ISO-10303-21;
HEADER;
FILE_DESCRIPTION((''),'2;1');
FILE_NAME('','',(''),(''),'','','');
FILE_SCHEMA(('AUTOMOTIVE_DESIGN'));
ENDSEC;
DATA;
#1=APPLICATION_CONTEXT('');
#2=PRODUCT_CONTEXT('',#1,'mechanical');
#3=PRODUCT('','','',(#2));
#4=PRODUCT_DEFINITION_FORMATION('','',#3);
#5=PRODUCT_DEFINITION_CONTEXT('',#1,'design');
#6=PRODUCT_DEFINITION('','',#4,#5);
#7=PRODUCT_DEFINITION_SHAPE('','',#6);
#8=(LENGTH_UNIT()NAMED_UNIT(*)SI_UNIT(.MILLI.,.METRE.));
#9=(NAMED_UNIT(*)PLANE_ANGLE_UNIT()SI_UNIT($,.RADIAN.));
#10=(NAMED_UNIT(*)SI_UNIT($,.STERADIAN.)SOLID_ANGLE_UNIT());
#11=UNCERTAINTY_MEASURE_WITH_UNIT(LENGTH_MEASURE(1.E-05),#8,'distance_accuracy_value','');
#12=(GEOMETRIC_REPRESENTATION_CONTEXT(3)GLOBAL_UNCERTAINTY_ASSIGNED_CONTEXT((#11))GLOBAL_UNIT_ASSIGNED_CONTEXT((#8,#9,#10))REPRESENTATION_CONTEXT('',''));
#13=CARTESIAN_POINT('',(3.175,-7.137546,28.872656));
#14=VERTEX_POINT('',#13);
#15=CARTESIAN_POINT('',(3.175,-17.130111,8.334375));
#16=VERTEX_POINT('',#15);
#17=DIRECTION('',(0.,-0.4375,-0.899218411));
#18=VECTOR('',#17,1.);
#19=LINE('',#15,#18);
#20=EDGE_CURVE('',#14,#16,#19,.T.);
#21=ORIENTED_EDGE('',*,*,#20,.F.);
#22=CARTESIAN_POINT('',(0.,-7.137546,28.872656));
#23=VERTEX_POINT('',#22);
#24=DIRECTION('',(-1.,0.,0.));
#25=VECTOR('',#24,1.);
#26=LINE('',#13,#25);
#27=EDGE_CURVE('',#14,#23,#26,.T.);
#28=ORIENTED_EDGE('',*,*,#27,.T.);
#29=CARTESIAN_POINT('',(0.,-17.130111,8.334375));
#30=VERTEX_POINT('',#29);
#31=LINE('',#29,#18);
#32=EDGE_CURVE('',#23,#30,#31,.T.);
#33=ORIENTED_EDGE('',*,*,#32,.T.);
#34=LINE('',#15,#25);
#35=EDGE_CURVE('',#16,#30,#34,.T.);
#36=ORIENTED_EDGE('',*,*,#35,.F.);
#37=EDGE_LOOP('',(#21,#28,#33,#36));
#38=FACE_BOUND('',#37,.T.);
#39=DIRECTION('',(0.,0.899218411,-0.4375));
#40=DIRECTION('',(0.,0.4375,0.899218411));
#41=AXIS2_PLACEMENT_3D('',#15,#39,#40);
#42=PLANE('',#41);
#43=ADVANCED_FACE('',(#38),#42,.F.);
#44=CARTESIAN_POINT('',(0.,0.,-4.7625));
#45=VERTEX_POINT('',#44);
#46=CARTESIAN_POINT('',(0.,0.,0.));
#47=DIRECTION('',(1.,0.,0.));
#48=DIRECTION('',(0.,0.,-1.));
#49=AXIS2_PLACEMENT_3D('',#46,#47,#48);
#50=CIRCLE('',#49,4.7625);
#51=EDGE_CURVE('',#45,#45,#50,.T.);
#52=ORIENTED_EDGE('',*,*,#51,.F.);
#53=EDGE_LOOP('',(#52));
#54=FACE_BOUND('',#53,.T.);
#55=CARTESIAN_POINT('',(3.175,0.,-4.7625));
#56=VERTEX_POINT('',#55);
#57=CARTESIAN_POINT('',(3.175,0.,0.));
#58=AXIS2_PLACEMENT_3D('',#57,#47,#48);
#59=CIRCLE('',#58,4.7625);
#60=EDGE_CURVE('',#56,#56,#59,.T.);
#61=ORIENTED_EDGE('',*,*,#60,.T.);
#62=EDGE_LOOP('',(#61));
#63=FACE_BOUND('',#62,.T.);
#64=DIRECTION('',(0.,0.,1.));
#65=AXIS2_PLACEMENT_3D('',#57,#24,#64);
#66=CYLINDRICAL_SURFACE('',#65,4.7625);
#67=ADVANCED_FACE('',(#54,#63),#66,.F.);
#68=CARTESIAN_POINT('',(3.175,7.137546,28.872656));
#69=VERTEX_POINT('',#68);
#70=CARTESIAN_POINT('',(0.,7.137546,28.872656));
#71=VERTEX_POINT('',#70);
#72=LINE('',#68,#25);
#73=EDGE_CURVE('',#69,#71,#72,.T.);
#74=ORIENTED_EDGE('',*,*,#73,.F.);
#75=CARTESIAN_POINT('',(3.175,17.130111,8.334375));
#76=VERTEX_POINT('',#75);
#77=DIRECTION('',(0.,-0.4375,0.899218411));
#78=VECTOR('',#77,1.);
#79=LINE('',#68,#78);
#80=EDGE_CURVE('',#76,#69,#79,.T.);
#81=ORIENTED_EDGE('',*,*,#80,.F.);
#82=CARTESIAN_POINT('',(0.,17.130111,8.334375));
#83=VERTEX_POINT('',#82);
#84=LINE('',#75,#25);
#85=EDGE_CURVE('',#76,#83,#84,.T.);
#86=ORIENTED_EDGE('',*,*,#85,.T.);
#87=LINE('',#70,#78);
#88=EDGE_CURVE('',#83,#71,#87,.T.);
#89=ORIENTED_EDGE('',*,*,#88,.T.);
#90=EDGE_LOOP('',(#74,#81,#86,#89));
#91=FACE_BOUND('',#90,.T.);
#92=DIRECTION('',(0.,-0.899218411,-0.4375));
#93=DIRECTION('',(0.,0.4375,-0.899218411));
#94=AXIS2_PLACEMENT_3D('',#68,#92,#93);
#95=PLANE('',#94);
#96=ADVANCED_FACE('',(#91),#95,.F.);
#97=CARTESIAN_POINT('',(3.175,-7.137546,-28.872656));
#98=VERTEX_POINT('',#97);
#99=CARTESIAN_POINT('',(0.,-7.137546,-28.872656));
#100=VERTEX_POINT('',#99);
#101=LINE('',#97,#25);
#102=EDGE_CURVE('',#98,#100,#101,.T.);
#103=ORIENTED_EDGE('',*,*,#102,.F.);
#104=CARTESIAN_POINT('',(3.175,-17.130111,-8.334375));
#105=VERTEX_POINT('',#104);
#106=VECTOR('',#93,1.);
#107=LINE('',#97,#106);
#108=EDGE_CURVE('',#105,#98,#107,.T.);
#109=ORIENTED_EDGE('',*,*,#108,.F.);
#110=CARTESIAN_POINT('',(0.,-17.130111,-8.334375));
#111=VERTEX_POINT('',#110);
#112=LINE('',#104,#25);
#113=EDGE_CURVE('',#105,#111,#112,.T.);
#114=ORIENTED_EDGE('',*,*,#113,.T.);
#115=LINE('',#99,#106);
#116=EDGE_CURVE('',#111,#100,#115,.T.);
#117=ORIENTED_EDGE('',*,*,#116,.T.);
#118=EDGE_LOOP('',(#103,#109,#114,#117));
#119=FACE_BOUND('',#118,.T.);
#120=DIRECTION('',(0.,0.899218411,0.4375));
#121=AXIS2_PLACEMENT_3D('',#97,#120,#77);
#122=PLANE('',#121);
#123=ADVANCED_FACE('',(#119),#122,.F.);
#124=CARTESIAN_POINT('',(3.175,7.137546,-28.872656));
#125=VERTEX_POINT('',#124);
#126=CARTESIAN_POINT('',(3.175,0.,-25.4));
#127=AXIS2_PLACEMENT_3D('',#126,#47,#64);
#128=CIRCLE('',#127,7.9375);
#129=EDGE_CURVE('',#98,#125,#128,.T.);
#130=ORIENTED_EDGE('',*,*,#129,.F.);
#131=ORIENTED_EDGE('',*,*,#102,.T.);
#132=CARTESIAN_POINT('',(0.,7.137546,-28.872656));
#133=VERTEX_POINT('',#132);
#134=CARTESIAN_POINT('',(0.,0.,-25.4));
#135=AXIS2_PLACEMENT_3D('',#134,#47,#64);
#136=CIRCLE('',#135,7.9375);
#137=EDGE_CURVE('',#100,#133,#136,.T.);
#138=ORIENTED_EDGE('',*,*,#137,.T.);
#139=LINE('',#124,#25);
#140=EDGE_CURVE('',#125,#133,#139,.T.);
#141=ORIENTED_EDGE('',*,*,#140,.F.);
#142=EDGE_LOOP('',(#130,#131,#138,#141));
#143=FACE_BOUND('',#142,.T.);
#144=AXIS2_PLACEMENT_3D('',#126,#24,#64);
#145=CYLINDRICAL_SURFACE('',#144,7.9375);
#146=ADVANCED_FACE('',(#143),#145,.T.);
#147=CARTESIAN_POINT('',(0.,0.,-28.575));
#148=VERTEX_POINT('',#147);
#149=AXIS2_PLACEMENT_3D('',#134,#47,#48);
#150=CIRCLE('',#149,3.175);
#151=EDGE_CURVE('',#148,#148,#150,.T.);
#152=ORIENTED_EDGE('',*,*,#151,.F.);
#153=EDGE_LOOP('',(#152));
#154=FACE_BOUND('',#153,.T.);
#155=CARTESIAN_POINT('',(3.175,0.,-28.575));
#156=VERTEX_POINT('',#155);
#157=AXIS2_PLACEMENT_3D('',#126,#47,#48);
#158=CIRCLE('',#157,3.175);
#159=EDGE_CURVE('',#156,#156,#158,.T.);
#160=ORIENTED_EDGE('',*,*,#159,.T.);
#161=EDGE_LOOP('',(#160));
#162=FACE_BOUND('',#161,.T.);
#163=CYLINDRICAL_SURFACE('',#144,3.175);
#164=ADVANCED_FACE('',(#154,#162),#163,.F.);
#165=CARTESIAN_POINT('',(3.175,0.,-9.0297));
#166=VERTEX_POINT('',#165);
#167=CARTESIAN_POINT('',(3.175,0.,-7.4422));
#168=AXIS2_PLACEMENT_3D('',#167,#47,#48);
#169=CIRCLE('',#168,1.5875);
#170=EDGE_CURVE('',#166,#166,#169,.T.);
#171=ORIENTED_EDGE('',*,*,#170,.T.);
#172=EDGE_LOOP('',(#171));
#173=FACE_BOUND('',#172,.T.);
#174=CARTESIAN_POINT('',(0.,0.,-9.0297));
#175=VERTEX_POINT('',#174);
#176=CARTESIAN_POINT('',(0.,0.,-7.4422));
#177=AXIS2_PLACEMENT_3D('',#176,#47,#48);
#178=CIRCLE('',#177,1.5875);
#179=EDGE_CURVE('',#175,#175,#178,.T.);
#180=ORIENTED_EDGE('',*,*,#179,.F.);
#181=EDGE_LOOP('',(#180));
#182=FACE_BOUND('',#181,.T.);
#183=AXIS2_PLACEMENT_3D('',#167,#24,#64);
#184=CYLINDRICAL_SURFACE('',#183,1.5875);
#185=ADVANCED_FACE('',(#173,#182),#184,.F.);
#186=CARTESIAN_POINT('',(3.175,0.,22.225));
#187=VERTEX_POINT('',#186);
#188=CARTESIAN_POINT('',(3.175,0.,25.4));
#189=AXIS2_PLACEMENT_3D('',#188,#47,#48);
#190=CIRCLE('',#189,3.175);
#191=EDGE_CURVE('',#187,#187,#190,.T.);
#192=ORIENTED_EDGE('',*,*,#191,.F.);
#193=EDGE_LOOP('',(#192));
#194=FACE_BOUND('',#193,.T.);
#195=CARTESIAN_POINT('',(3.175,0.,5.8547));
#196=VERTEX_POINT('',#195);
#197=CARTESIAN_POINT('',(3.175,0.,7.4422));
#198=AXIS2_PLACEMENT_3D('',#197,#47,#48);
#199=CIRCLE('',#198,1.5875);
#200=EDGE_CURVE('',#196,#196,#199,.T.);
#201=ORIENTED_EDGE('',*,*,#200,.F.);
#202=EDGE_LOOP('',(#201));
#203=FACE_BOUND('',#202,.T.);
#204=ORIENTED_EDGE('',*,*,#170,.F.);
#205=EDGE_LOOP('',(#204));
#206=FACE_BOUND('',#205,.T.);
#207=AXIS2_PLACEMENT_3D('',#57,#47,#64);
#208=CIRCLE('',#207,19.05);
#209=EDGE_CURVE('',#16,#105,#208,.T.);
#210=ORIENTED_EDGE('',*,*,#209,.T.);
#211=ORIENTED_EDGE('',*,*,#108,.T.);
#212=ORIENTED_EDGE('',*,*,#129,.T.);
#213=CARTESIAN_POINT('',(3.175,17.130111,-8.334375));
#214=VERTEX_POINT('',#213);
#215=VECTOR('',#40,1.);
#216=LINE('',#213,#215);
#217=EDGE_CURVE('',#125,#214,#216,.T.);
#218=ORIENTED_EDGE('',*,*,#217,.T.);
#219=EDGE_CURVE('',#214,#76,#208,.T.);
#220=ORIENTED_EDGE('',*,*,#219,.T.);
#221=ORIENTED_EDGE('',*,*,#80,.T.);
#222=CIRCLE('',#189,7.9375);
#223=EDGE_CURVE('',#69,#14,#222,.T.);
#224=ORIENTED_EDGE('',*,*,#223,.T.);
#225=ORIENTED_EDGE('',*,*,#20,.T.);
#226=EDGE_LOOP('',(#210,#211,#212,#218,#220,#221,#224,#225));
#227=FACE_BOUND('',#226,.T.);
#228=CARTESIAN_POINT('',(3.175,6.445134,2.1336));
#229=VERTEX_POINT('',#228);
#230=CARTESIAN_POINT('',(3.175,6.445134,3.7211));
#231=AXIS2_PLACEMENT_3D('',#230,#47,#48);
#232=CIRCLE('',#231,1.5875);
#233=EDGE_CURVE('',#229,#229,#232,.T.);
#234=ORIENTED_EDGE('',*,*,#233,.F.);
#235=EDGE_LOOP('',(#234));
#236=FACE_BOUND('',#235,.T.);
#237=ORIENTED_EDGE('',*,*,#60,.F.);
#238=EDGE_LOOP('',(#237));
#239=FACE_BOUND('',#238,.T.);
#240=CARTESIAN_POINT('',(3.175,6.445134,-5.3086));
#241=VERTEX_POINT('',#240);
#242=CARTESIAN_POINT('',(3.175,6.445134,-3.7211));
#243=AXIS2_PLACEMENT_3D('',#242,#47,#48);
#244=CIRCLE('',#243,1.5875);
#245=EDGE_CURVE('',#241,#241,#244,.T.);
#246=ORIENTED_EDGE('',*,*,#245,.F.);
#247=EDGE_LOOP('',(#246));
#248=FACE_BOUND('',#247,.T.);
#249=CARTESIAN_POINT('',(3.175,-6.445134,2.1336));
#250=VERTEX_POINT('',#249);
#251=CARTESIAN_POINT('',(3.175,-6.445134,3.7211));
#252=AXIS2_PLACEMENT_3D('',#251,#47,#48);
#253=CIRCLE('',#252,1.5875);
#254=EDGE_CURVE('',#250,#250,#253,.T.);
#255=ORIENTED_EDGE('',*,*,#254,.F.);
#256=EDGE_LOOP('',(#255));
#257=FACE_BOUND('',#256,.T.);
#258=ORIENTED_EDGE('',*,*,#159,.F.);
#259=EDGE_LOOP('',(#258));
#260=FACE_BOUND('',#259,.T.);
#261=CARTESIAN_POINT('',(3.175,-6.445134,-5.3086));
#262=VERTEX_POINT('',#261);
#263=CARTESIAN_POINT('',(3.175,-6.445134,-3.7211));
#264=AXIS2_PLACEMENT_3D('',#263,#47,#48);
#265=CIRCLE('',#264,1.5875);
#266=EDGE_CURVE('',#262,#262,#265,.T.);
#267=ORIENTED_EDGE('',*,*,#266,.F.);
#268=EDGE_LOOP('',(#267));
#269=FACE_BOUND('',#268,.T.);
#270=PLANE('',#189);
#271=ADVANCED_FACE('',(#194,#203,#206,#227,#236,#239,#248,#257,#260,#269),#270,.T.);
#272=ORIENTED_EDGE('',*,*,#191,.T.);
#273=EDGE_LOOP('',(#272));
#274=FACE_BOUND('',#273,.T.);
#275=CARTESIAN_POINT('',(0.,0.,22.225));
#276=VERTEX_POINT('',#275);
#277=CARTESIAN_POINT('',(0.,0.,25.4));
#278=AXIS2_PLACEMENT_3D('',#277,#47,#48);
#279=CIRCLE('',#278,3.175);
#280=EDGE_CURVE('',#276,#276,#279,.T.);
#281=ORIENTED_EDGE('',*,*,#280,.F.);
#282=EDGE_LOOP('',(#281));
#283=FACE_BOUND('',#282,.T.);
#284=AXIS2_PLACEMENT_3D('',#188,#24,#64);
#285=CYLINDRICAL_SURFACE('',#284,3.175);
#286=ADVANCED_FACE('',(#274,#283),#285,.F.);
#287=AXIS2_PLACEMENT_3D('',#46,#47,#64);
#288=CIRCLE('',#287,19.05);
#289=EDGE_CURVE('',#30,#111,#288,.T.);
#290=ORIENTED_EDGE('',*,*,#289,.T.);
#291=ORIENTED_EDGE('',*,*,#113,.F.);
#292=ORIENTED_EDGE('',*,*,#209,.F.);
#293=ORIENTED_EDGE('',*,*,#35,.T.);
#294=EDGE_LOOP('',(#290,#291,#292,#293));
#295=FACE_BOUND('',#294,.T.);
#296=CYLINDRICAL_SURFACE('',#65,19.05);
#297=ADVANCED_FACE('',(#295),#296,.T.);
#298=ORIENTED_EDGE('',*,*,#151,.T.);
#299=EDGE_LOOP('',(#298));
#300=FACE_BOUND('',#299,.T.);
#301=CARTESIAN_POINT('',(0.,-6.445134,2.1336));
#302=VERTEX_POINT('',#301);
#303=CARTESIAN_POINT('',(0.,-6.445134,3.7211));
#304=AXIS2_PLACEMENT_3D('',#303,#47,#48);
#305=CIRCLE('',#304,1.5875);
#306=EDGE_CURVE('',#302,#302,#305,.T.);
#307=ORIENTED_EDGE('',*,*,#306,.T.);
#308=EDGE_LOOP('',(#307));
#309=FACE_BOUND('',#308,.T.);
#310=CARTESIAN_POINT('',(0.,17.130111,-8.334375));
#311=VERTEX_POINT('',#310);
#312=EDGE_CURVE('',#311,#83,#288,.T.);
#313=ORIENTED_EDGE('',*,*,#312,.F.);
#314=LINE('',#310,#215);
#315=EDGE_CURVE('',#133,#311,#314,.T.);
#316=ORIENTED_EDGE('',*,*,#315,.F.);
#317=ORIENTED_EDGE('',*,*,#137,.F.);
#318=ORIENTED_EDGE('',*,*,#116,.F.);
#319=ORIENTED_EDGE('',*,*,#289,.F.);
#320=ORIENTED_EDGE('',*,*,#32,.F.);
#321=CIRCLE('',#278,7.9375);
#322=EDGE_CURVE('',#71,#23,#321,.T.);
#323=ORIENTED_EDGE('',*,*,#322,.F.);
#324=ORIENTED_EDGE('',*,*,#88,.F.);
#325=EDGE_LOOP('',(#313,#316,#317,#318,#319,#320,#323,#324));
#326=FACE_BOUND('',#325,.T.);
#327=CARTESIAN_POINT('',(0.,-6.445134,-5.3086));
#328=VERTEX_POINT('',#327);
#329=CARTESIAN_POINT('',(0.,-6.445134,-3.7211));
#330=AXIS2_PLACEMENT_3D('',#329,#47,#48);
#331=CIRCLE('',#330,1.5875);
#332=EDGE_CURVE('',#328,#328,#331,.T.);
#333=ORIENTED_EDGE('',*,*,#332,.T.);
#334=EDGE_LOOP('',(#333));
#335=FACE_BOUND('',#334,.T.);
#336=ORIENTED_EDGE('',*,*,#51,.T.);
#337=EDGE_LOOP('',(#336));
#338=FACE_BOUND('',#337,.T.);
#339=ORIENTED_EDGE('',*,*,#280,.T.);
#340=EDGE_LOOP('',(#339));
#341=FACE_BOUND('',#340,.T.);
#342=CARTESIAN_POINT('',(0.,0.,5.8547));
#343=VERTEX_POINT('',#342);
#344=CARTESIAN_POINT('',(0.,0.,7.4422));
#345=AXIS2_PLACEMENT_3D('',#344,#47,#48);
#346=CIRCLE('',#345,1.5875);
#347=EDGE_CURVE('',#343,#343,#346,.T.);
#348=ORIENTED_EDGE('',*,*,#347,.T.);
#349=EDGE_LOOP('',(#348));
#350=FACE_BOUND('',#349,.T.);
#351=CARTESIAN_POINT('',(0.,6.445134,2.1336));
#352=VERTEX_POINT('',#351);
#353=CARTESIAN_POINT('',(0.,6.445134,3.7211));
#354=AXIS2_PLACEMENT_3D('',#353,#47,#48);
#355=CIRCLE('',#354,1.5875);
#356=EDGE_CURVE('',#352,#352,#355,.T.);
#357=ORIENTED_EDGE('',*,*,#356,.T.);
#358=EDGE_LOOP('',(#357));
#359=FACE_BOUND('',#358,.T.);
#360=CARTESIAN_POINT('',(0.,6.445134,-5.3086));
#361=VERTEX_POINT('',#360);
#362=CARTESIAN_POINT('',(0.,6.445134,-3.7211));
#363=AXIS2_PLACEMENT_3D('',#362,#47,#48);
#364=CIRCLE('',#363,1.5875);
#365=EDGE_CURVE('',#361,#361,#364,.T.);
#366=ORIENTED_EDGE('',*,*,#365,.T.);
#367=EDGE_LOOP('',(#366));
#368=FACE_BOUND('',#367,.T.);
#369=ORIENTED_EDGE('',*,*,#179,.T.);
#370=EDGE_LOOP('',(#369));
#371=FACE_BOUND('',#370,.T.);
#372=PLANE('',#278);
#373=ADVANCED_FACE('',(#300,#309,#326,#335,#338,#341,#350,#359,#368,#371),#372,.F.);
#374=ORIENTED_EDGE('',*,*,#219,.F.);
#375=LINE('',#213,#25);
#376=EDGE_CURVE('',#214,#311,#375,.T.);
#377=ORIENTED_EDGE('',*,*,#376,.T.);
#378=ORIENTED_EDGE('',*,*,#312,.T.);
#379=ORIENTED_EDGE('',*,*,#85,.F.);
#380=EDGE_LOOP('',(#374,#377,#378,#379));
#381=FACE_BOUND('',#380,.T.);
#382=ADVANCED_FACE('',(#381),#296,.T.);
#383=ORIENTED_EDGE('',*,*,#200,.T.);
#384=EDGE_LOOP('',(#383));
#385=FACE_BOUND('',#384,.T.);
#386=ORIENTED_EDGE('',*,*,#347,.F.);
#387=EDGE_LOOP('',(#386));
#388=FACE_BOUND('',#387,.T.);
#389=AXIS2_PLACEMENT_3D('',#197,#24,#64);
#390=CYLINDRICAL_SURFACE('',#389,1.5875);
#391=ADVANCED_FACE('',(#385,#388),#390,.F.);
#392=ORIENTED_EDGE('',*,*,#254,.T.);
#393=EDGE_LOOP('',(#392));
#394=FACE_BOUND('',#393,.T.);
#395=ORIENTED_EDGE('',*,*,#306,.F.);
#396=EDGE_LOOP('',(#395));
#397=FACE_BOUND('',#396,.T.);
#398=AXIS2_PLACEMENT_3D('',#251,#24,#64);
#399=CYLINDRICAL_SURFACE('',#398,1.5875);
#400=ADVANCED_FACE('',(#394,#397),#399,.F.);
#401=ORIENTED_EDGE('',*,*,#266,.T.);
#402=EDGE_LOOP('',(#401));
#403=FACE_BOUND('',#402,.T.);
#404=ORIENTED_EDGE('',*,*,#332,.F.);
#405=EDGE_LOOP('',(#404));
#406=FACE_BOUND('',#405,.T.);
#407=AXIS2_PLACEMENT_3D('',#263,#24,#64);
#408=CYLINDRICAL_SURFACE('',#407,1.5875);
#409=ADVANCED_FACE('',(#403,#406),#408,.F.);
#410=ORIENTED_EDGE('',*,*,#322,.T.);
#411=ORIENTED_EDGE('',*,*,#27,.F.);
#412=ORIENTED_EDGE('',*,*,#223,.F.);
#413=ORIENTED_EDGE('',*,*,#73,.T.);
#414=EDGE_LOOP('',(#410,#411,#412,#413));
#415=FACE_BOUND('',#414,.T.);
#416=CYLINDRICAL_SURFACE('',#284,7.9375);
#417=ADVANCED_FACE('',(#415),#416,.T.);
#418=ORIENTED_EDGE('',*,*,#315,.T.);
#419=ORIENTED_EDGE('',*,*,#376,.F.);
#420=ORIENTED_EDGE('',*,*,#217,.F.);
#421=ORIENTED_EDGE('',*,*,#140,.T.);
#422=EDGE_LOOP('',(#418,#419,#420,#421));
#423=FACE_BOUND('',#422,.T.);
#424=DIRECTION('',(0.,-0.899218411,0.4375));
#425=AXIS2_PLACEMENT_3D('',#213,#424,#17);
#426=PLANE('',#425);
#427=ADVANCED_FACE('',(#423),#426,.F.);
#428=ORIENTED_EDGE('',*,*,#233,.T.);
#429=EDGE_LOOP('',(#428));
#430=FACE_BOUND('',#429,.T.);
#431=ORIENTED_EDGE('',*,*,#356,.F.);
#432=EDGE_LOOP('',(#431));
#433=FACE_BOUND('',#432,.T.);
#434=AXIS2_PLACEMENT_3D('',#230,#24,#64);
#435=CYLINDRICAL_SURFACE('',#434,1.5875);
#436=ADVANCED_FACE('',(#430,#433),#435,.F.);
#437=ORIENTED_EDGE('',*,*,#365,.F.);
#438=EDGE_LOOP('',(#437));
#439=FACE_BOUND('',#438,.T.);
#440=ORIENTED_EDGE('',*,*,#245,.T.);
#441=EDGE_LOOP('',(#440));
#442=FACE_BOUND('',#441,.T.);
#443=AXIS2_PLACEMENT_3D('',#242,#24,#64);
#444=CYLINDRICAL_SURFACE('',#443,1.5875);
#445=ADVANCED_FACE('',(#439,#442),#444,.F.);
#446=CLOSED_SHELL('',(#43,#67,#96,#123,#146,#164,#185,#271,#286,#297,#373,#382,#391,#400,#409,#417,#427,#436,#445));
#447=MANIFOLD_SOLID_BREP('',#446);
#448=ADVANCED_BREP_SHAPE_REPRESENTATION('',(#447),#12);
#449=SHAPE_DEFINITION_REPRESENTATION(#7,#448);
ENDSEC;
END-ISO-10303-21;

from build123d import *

# Parameters (mm, degrees)
SKETCH1_R           = 4.7625
SKETCH1_R_2         = 3.175
SKETCH1_R_3         = 1.5875
BOSS_EXTRUDE1_DEPTH = 3.175


with BuildPart() as part:
    # Sketch1 → Boss-Extrude1 (new body)
    with BuildSketch(Plane(origin=(0, 0, 0), x_dir=(0, 0, -1), z_dir=(1, 0, 0))):
        with BuildLine():
            Line((-28.87265625, 7.137546134), (-8.334375, 17.130110722))
            ThreePointArc((-8.334375, 17.130110722), (0, 19.05), (8.334375, 17.130110722))
            Line((8.334375, 17.130110722), (28.87265625, 7.137546134))
            ThreePointArc((28.87265625, 7.137546134), (33.3375, 0), (28.87265625, -7.137546134))
            Line((28.87265625, -7.137546134), (8.334375, -17.130110722))
            ThreePointArc((8.334375, -17.130110722), (0, -19.05), (-8.334375, -17.130110722))
            Line((-8.334375, -17.130110722), (-28.87265625, -7.137546134))
            ThreePointArc((-28.87265625, -7.137546134), (-33.3375, 0), (-28.87265625, 7.137546134))
        make_face()
        Circle(SKETCH1_R, mode=Mode.SUBTRACT)
        with Locations((-25.4, 0)):
            Circle(SKETCH1_R_2, mode=Mode.SUBTRACT)
        with Locations((25.4, 0)):
            Circle(SKETCH1_R_2, mode=Mode.SUBTRACT)
        with Locations((-3.7211, -6.44513426)):
            Circle(SKETCH1_R_3, mode=Mode.SUBTRACT)
        with Locations((3.7211, 6.44513426)):
            Circle(SKETCH1_R_3, mode=Mode.SUBTRACT)
        with Locations((3.7211, -6.44513426)):
            Circle(SKETCH1_R_3, mode=Mode.SUBTRACT)
        with Locations((-3.7211, 6.44513426)):
            Circle(SKETCH1_R_3, mode=Mode.SUBTRACT)
        with Locations((-7.4422, 0)):
            Circle(SKETCH1_R_3, mode=Mode.SUBTRACT)
        with Locations((7.4422, 0)):
            Circle(SKETCH1_R_3, mode=Mode.SUBTRACT)
    extrude(amount=BOSS_EXTRUDE1_DEPTH)


solid = part.part
